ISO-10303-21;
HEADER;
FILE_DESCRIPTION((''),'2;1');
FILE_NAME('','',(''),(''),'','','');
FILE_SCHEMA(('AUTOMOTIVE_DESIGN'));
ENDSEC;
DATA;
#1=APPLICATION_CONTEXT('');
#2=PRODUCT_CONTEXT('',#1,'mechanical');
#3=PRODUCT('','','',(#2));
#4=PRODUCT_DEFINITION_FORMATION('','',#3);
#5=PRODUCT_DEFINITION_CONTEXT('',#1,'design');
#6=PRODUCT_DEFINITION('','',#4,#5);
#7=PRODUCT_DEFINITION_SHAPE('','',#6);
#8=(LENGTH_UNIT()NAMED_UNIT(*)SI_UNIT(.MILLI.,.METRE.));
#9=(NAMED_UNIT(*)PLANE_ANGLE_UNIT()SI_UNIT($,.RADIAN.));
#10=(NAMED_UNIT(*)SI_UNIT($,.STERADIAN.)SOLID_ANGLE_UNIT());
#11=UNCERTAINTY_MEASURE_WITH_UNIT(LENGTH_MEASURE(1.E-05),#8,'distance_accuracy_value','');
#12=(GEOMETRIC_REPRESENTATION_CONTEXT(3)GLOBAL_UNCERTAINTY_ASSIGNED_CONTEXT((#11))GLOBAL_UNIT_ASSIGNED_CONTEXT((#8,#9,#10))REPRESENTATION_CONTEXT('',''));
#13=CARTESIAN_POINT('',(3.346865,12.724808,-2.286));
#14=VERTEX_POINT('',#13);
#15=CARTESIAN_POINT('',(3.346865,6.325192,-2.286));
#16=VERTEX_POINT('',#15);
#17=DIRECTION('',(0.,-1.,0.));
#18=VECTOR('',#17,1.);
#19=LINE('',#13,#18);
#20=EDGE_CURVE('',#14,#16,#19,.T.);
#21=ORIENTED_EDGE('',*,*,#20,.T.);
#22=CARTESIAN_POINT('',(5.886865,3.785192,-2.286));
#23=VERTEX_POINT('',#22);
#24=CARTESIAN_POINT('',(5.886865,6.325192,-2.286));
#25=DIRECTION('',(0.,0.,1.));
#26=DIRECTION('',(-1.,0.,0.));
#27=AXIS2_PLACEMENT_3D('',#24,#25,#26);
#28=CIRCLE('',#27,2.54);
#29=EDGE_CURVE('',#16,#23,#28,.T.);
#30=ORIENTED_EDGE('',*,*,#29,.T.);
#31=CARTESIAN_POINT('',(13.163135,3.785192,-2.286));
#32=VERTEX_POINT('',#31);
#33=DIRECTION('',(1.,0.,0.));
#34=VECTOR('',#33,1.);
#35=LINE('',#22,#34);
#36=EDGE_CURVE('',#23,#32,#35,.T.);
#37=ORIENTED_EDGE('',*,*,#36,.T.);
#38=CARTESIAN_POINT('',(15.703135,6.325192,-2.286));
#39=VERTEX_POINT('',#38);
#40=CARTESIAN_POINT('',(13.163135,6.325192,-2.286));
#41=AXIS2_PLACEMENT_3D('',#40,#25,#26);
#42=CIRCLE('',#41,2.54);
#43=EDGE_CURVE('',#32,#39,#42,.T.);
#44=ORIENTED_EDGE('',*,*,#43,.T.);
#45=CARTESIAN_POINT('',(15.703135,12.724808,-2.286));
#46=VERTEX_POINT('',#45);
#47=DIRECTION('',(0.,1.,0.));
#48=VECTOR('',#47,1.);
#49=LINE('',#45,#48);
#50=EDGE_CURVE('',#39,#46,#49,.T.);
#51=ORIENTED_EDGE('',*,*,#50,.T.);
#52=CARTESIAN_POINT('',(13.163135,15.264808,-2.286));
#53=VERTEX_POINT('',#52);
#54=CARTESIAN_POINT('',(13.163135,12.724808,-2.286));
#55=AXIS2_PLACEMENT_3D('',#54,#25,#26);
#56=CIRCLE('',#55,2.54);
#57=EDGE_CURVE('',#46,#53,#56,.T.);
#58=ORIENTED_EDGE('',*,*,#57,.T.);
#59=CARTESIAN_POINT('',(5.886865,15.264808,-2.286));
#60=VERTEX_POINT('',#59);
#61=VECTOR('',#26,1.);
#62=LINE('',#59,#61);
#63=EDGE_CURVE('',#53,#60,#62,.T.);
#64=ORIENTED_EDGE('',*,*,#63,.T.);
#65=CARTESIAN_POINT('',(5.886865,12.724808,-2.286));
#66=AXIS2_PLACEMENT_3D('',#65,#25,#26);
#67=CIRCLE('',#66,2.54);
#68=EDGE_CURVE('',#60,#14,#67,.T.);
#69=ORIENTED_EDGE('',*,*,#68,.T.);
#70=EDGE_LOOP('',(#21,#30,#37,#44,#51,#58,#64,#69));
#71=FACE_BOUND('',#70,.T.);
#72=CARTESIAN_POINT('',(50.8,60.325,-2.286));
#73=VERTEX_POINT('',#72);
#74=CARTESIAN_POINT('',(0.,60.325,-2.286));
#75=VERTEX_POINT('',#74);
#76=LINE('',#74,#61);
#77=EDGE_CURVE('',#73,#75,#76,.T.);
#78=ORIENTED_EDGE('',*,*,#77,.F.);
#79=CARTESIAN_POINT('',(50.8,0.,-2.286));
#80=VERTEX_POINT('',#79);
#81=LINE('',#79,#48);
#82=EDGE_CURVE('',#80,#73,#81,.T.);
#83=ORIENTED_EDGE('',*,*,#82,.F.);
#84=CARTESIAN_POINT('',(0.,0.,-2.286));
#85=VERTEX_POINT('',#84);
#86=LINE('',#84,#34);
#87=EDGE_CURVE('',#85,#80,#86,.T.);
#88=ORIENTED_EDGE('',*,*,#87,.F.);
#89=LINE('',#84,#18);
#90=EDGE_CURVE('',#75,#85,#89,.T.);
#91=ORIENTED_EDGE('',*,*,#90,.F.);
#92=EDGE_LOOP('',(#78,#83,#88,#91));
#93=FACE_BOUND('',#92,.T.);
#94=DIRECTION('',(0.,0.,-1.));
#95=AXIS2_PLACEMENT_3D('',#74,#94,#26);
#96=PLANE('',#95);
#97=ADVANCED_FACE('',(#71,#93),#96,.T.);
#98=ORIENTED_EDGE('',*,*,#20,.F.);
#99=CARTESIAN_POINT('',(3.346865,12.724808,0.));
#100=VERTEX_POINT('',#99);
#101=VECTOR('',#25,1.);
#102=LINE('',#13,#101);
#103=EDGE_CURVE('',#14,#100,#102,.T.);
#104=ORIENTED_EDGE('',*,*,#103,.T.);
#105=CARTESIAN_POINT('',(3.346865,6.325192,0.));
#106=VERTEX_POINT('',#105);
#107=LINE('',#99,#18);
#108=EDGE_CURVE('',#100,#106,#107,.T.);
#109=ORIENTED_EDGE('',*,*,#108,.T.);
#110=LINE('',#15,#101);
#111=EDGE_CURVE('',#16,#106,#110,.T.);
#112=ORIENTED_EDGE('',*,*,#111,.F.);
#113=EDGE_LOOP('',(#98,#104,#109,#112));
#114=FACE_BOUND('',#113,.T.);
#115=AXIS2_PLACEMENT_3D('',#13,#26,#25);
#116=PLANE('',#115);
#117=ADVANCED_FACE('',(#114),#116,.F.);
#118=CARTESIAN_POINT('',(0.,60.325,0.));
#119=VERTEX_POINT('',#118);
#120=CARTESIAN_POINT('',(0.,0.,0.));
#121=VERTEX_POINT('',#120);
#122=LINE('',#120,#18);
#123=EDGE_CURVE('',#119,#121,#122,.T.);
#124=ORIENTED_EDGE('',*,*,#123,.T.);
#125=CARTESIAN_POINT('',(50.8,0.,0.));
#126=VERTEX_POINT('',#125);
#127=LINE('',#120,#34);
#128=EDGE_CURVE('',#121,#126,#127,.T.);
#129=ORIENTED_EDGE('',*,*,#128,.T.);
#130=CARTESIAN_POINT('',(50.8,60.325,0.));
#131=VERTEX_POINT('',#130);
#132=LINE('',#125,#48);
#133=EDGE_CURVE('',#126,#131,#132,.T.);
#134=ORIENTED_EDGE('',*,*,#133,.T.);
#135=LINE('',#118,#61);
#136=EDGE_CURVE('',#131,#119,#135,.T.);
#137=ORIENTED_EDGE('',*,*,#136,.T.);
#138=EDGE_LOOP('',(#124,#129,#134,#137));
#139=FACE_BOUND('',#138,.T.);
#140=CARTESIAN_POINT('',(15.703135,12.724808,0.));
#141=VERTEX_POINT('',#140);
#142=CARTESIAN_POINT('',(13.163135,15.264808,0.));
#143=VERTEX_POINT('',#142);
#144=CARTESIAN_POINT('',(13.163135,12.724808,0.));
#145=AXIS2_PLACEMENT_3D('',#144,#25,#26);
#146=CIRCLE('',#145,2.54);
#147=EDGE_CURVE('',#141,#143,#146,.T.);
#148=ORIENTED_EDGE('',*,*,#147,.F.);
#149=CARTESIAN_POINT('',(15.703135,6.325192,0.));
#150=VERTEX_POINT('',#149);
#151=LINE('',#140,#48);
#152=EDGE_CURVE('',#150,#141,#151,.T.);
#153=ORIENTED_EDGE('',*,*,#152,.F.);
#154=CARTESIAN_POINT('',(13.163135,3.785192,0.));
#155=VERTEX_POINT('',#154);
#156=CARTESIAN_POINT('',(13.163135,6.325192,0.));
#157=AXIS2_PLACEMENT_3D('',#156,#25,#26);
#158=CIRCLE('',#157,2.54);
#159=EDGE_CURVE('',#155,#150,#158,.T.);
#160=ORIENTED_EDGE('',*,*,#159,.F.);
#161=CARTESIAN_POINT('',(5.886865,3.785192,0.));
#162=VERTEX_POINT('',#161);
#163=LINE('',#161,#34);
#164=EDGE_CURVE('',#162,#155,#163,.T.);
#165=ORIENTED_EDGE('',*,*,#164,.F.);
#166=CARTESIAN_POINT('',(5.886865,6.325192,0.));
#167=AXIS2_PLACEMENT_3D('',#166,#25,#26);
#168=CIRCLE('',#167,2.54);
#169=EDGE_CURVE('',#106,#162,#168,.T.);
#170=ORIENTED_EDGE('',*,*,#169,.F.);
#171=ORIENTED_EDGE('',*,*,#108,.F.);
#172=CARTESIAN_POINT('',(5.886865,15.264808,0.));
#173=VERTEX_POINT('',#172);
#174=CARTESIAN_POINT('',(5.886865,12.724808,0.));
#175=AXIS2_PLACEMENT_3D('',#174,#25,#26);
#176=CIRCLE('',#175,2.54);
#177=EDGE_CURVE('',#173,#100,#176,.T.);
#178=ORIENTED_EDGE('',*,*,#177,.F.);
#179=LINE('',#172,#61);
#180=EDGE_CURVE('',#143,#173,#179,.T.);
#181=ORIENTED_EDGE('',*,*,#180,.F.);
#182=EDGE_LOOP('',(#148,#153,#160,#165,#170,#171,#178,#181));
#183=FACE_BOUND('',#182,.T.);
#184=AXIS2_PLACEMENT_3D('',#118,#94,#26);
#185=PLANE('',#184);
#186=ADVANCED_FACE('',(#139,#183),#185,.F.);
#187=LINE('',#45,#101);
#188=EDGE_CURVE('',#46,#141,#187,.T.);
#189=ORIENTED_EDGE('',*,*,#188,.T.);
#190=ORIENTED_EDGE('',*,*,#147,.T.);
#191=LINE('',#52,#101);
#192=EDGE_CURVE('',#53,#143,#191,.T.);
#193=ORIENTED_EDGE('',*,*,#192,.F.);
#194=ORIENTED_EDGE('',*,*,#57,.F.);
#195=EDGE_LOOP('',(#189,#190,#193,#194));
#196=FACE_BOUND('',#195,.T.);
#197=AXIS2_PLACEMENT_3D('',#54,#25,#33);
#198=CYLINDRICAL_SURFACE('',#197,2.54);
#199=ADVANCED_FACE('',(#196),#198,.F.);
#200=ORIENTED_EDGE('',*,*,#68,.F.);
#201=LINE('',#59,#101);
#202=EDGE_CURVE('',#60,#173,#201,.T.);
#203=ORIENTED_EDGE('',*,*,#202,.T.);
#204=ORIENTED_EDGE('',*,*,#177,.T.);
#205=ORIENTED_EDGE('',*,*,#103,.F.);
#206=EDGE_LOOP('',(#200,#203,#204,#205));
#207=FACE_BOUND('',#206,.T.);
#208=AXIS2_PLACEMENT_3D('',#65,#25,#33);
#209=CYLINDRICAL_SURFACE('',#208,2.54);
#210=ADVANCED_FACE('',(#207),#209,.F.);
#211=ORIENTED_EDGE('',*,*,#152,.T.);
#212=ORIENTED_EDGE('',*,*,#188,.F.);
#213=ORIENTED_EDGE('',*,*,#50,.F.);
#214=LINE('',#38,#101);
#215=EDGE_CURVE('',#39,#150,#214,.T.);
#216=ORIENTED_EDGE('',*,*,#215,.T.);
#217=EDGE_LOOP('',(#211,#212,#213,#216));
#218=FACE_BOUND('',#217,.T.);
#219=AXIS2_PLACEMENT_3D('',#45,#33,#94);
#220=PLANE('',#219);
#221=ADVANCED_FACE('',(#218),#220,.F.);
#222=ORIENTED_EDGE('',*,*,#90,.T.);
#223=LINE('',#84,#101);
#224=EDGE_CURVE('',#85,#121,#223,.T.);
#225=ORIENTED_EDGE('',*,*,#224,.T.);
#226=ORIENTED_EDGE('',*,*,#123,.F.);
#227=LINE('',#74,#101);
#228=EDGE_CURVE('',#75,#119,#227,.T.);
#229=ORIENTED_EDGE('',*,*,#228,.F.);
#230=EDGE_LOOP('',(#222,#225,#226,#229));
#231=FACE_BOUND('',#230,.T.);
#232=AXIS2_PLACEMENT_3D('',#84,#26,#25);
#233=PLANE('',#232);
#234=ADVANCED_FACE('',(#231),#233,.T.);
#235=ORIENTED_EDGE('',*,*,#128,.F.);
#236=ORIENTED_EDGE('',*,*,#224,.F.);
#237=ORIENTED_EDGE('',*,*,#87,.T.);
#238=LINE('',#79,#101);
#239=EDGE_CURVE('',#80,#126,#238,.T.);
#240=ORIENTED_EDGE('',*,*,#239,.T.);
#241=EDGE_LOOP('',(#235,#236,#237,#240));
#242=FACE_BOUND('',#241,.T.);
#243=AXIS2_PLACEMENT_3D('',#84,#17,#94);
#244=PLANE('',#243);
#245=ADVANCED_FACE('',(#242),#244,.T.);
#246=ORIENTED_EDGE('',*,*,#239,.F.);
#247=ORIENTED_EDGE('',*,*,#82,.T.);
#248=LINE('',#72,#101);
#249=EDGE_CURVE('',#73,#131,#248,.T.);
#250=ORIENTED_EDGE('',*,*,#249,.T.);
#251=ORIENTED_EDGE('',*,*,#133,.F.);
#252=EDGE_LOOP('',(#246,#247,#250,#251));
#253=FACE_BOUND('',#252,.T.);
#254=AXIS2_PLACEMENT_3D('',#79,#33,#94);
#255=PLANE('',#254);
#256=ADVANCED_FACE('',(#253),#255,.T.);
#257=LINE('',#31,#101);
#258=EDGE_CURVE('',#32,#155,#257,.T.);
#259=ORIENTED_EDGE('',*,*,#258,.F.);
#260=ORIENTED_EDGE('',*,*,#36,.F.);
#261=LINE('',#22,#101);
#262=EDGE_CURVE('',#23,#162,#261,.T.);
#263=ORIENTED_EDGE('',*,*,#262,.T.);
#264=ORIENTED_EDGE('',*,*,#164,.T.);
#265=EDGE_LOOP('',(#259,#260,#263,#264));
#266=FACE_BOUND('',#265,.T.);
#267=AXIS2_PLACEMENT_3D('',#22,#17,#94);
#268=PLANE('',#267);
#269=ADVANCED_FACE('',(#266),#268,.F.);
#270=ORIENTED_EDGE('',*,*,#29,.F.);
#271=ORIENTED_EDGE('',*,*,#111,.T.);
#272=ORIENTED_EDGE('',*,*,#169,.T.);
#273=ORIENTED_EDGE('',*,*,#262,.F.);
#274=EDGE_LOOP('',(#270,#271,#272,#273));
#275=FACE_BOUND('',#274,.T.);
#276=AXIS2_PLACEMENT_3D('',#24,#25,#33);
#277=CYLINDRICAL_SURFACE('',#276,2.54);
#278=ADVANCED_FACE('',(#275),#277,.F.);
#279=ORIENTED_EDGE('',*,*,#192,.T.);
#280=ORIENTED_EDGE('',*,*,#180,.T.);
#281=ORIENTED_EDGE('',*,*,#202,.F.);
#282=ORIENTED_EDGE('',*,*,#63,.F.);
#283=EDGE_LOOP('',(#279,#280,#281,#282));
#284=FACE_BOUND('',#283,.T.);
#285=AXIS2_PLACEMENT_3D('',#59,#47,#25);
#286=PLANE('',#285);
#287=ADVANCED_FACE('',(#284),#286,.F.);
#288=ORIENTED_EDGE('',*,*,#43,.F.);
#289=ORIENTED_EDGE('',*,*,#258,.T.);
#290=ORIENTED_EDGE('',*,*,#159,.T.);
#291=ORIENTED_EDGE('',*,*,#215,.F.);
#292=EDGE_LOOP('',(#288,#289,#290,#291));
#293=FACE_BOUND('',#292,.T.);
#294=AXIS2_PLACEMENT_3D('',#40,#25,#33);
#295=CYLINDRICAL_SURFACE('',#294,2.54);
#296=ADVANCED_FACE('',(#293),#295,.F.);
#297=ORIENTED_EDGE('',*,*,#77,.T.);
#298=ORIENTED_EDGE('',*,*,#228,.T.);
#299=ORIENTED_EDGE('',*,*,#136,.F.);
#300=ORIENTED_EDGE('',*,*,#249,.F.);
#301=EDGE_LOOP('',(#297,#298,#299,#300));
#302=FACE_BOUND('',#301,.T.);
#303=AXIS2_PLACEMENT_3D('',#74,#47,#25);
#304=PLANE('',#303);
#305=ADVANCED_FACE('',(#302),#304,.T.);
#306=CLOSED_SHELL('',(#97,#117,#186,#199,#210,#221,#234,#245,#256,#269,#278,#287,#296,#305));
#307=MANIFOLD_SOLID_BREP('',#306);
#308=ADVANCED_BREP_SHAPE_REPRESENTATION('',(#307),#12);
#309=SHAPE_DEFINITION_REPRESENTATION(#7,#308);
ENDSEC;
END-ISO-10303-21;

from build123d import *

# Parameters (mm, degrees)
SKETCH1_W      = 50.8
SKETCH1_H      = 60.325
EXTRUDE2_DEPTH = 2.286


with BuildPart() as part:
    # Sketch1 → Extrude2 (new body)
    with BuildSketch(Plane.XY):
        with Locations((25.4, 30.1625)):
            Rectangle(SKETCH1_W, SKETCH1_H)
        with BuildLine():
            Line((5.886865084, 15.264808366), (13.163134916, 15.264808366))
            ThreePointArc((13.163134916, 15.264808366), (14.95918614, 14.52085959), (15.703134916, 12.724808366))
            Line((15.703134916, 12.724808366), (15.703134916, 6.325191634))
            ThreePointArc((15.703134916, 6.325191634), (14.95918614, 4.52914041), (13.163134916, 3.785191634))
            Line((13.163134916, 3.785191634), (5.886865084, 3.785191634))
            ThreePointArc((5.886865084, 3.785191634), (4.09081386, 4.52914041), (3.346865084, 6.325191634))
            Line((3.346865084, 6.325191634), (3.346865084, 12.724808366))
            ThreePointArc((3.346865084, 12.724808366), (4.09081386, 14.52085959), (5.886865084, 15.264808366))
        make_face(mode=Mode.SUBTRACT)
    extrude(amount=-EXTRUDE2_DEPTH)


solid = part.part
